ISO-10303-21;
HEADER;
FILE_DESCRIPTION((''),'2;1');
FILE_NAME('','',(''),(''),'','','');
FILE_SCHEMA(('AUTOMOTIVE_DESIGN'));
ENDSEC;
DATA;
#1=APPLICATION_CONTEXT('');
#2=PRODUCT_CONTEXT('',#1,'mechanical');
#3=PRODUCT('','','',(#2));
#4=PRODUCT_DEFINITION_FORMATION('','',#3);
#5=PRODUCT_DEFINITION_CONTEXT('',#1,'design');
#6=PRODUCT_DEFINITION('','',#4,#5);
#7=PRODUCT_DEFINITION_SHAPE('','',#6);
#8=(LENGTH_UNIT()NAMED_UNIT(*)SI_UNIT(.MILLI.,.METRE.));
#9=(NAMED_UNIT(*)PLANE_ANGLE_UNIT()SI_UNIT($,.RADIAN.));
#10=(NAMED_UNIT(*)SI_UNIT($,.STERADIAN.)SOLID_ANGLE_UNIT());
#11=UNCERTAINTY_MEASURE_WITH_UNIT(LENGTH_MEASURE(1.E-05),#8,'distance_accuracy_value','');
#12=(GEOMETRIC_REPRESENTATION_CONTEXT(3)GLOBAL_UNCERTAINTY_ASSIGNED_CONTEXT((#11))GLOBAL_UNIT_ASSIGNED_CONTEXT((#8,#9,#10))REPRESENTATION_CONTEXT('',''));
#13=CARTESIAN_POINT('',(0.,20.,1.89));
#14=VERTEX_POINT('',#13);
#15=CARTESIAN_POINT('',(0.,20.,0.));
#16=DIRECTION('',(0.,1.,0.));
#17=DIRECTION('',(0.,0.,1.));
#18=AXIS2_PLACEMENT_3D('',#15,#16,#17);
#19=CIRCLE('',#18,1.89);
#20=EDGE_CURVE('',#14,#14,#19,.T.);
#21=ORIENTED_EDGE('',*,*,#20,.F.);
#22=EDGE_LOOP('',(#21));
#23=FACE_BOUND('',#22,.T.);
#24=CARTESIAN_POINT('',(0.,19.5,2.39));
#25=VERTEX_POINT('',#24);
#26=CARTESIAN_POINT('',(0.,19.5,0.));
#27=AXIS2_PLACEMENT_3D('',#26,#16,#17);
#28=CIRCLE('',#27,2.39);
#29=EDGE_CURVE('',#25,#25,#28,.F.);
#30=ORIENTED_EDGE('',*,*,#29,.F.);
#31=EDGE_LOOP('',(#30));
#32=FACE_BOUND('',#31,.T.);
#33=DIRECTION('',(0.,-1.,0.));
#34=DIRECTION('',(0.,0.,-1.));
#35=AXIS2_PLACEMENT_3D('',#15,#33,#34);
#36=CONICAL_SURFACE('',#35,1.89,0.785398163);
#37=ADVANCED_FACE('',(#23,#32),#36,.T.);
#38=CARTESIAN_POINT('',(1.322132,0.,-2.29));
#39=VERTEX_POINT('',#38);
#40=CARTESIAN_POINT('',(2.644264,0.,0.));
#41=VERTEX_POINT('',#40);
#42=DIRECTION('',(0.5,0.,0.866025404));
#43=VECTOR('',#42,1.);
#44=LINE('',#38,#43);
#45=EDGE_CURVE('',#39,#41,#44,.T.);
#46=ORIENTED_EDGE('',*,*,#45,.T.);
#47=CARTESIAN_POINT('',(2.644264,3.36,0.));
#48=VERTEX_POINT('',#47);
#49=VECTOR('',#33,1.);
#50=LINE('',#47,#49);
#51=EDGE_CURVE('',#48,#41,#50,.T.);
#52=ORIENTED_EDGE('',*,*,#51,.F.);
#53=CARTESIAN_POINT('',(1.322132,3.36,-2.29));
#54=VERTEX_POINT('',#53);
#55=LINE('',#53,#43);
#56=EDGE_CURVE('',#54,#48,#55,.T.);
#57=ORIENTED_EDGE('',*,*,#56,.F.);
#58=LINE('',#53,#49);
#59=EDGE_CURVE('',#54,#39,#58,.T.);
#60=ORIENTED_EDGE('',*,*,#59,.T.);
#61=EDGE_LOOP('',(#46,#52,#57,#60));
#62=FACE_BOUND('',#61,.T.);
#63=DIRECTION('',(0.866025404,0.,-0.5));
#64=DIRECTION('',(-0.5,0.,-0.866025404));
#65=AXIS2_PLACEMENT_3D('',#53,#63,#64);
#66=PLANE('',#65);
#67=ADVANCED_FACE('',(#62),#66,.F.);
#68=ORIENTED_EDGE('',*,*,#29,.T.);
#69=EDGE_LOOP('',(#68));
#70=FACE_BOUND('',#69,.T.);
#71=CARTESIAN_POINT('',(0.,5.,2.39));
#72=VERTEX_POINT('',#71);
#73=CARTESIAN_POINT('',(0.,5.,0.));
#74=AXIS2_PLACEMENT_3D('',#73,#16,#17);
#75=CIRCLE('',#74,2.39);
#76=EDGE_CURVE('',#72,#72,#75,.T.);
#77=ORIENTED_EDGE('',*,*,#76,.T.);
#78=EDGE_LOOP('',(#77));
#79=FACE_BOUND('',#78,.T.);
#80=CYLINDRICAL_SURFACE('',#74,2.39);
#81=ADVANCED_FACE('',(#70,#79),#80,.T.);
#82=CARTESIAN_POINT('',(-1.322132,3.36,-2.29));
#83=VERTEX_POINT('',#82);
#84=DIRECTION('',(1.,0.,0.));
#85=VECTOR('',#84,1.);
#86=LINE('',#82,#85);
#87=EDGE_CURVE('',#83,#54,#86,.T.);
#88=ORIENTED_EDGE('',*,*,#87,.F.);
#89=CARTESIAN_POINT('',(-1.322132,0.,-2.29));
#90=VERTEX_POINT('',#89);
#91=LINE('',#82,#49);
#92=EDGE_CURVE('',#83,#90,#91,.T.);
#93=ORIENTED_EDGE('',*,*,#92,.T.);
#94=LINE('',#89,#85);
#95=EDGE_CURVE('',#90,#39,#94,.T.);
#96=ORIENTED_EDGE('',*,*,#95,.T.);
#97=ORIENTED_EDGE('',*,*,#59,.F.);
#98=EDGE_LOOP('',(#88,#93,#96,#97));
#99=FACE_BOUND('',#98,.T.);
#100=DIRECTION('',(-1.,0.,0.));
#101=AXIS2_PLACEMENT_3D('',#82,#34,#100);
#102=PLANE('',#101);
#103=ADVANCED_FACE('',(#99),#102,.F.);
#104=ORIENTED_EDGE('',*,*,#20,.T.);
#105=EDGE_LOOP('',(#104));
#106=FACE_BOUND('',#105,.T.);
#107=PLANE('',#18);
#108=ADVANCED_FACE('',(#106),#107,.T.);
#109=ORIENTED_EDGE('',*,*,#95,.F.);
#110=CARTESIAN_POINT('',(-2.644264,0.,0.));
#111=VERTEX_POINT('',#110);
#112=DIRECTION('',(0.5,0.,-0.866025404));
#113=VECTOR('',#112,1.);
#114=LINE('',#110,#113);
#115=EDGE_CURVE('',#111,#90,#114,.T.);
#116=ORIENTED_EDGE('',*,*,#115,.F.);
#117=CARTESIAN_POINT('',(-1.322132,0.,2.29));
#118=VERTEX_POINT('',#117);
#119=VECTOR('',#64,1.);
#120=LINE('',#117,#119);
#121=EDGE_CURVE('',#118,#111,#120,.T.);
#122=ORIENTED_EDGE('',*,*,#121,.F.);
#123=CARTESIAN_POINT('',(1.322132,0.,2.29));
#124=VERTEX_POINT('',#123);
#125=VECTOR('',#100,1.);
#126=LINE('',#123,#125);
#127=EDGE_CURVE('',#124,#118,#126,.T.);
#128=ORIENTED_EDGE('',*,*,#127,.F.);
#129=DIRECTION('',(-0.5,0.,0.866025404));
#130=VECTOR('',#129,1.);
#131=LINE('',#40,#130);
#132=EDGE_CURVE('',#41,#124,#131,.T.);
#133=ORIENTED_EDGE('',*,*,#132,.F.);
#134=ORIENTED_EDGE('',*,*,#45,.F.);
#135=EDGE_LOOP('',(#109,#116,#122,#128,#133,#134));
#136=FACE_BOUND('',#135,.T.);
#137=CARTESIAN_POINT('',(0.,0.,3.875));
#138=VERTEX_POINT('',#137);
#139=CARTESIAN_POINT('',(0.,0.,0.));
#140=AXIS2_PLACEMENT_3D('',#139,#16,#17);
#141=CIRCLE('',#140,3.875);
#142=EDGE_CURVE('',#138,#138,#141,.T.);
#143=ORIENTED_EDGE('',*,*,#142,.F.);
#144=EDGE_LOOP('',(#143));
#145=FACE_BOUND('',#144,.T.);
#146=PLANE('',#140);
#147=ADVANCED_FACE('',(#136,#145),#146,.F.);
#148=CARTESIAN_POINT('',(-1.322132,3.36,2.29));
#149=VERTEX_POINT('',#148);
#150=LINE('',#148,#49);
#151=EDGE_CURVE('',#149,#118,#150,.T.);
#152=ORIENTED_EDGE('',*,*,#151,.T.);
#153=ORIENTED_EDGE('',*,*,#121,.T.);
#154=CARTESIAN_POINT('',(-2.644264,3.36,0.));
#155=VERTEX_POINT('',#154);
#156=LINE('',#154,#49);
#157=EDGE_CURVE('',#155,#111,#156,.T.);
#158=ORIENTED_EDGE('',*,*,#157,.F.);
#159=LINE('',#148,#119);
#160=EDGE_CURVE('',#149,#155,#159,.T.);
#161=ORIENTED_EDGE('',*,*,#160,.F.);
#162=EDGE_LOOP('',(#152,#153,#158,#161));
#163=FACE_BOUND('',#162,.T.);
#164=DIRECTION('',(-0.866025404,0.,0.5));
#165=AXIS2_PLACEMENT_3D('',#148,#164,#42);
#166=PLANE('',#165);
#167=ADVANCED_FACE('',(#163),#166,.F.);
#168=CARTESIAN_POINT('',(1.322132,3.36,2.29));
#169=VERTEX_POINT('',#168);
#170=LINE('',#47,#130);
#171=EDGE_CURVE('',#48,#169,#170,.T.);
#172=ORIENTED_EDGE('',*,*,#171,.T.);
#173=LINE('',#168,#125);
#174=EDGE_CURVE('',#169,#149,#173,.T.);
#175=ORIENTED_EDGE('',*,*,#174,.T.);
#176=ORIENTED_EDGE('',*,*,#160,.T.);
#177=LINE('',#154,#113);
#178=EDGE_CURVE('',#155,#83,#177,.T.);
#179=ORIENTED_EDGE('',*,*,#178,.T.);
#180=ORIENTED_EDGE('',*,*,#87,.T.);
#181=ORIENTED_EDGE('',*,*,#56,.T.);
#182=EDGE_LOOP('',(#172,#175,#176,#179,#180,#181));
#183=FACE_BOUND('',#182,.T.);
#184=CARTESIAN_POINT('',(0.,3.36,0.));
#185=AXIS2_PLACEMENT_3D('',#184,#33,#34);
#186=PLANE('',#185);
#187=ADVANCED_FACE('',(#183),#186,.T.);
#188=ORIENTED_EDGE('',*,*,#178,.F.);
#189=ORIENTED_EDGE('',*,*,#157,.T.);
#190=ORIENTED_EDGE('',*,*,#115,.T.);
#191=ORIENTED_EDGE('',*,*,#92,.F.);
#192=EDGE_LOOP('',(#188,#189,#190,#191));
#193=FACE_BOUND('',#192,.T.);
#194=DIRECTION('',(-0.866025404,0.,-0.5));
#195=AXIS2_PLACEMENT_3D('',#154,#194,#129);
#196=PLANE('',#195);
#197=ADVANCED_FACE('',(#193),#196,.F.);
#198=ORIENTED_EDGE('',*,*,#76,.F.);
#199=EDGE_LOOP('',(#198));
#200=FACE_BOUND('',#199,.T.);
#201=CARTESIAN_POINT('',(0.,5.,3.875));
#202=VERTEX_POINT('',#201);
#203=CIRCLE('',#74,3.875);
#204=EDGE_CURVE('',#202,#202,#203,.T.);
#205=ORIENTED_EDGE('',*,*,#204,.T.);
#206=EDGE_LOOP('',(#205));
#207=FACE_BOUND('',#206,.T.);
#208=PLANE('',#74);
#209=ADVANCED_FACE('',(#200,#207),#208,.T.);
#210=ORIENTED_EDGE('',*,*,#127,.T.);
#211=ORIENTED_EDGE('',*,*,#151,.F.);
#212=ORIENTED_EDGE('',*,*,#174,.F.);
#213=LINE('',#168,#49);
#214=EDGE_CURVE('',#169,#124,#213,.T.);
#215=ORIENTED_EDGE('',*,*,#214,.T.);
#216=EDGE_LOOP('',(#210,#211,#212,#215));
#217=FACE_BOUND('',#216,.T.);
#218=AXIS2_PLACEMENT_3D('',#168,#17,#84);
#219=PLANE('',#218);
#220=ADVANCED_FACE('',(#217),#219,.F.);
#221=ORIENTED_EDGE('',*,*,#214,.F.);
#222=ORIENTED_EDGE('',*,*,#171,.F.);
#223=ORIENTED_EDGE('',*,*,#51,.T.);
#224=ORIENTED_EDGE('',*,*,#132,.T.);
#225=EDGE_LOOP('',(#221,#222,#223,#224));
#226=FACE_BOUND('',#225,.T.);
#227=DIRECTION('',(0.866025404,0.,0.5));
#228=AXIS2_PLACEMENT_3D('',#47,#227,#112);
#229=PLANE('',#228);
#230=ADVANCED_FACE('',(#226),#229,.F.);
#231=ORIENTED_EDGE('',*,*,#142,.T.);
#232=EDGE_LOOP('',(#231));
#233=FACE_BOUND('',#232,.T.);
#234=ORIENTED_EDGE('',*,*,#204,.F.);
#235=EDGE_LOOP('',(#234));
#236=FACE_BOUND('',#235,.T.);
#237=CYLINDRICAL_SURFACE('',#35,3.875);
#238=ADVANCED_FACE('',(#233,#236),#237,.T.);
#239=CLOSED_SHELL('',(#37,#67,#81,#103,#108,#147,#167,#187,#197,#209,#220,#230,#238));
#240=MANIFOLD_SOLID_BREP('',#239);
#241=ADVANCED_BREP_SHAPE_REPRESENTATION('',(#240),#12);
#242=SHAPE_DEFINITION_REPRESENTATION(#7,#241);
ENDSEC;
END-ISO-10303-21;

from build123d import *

# Parameters (mm, degrees)
SKETCH1_R           = 3.875
BOSS_EXTRUDE1_DEPTH = 20
SKETCH2_OUTSIDE_W   = 14.312
SKETCH2_OUTSIDE_H   = 14.312
SKETCH2_OUTSIDE_R   = 2.39
CUT_EXTRUDE1_DEPTH  = 15
CHAMFER1_SIZE       = 0.5
CUT_EXTRUDE2_DEPTH  = 3.36


with BuildPart() as part:
    # Sketch1 → Boss-Extrude1 (new body)
    with BuildSketch(Plane(origin=(0, 0, 0), x_dir=(1, 0, 0), z_dir=(0, 1, 0))):
        Circle(SKETCH1_R)
    extrude(amount=BOSS_EXTRUDE1_DEPTH)

    # Sketch2 outside → Cut-Extrude1 (cut)
    with BuildSketch(Plane(origin=(0, 20, 0), x_dir=(1, 0, 0), z_dir=(0, 1, 0))):
        Rectangle(SKETCH2_OUTSIDE_W, SKETCH2_OUTSIDE_H)
        Circle(SKETCH2_OUTSIDE_R, mode=Mode.SUBTRACT)
    extrude(amount=-CUT_EXTRUDE1_DEPTH, mode=Mode.SUBTRACT)

    # Chamfer1
    chamfer1_edges = [part.edges().sort_by_distance(p)[0] for p in [
        (-2.39, 20, 0),
    ]]
    chamfer(chamfer1_edges, length=CHAMFER1_SIZE)

    # Sketch8 → Cut-Extrude2 (cut)
    with BuildSketch(Plane.XZ):
        Polygon((2.644264233, 0), (1.322132116, 2.29), (-1.322132116, 2.29), (-2.644264233, 0), (-1.322132116, -2.29), (1.322132116, -2.29), align=None)
    extrude(amount=-CUT_EXTRUDE2_DEPTH, mode=Mode.SUBTRACT)


solid = part.part
